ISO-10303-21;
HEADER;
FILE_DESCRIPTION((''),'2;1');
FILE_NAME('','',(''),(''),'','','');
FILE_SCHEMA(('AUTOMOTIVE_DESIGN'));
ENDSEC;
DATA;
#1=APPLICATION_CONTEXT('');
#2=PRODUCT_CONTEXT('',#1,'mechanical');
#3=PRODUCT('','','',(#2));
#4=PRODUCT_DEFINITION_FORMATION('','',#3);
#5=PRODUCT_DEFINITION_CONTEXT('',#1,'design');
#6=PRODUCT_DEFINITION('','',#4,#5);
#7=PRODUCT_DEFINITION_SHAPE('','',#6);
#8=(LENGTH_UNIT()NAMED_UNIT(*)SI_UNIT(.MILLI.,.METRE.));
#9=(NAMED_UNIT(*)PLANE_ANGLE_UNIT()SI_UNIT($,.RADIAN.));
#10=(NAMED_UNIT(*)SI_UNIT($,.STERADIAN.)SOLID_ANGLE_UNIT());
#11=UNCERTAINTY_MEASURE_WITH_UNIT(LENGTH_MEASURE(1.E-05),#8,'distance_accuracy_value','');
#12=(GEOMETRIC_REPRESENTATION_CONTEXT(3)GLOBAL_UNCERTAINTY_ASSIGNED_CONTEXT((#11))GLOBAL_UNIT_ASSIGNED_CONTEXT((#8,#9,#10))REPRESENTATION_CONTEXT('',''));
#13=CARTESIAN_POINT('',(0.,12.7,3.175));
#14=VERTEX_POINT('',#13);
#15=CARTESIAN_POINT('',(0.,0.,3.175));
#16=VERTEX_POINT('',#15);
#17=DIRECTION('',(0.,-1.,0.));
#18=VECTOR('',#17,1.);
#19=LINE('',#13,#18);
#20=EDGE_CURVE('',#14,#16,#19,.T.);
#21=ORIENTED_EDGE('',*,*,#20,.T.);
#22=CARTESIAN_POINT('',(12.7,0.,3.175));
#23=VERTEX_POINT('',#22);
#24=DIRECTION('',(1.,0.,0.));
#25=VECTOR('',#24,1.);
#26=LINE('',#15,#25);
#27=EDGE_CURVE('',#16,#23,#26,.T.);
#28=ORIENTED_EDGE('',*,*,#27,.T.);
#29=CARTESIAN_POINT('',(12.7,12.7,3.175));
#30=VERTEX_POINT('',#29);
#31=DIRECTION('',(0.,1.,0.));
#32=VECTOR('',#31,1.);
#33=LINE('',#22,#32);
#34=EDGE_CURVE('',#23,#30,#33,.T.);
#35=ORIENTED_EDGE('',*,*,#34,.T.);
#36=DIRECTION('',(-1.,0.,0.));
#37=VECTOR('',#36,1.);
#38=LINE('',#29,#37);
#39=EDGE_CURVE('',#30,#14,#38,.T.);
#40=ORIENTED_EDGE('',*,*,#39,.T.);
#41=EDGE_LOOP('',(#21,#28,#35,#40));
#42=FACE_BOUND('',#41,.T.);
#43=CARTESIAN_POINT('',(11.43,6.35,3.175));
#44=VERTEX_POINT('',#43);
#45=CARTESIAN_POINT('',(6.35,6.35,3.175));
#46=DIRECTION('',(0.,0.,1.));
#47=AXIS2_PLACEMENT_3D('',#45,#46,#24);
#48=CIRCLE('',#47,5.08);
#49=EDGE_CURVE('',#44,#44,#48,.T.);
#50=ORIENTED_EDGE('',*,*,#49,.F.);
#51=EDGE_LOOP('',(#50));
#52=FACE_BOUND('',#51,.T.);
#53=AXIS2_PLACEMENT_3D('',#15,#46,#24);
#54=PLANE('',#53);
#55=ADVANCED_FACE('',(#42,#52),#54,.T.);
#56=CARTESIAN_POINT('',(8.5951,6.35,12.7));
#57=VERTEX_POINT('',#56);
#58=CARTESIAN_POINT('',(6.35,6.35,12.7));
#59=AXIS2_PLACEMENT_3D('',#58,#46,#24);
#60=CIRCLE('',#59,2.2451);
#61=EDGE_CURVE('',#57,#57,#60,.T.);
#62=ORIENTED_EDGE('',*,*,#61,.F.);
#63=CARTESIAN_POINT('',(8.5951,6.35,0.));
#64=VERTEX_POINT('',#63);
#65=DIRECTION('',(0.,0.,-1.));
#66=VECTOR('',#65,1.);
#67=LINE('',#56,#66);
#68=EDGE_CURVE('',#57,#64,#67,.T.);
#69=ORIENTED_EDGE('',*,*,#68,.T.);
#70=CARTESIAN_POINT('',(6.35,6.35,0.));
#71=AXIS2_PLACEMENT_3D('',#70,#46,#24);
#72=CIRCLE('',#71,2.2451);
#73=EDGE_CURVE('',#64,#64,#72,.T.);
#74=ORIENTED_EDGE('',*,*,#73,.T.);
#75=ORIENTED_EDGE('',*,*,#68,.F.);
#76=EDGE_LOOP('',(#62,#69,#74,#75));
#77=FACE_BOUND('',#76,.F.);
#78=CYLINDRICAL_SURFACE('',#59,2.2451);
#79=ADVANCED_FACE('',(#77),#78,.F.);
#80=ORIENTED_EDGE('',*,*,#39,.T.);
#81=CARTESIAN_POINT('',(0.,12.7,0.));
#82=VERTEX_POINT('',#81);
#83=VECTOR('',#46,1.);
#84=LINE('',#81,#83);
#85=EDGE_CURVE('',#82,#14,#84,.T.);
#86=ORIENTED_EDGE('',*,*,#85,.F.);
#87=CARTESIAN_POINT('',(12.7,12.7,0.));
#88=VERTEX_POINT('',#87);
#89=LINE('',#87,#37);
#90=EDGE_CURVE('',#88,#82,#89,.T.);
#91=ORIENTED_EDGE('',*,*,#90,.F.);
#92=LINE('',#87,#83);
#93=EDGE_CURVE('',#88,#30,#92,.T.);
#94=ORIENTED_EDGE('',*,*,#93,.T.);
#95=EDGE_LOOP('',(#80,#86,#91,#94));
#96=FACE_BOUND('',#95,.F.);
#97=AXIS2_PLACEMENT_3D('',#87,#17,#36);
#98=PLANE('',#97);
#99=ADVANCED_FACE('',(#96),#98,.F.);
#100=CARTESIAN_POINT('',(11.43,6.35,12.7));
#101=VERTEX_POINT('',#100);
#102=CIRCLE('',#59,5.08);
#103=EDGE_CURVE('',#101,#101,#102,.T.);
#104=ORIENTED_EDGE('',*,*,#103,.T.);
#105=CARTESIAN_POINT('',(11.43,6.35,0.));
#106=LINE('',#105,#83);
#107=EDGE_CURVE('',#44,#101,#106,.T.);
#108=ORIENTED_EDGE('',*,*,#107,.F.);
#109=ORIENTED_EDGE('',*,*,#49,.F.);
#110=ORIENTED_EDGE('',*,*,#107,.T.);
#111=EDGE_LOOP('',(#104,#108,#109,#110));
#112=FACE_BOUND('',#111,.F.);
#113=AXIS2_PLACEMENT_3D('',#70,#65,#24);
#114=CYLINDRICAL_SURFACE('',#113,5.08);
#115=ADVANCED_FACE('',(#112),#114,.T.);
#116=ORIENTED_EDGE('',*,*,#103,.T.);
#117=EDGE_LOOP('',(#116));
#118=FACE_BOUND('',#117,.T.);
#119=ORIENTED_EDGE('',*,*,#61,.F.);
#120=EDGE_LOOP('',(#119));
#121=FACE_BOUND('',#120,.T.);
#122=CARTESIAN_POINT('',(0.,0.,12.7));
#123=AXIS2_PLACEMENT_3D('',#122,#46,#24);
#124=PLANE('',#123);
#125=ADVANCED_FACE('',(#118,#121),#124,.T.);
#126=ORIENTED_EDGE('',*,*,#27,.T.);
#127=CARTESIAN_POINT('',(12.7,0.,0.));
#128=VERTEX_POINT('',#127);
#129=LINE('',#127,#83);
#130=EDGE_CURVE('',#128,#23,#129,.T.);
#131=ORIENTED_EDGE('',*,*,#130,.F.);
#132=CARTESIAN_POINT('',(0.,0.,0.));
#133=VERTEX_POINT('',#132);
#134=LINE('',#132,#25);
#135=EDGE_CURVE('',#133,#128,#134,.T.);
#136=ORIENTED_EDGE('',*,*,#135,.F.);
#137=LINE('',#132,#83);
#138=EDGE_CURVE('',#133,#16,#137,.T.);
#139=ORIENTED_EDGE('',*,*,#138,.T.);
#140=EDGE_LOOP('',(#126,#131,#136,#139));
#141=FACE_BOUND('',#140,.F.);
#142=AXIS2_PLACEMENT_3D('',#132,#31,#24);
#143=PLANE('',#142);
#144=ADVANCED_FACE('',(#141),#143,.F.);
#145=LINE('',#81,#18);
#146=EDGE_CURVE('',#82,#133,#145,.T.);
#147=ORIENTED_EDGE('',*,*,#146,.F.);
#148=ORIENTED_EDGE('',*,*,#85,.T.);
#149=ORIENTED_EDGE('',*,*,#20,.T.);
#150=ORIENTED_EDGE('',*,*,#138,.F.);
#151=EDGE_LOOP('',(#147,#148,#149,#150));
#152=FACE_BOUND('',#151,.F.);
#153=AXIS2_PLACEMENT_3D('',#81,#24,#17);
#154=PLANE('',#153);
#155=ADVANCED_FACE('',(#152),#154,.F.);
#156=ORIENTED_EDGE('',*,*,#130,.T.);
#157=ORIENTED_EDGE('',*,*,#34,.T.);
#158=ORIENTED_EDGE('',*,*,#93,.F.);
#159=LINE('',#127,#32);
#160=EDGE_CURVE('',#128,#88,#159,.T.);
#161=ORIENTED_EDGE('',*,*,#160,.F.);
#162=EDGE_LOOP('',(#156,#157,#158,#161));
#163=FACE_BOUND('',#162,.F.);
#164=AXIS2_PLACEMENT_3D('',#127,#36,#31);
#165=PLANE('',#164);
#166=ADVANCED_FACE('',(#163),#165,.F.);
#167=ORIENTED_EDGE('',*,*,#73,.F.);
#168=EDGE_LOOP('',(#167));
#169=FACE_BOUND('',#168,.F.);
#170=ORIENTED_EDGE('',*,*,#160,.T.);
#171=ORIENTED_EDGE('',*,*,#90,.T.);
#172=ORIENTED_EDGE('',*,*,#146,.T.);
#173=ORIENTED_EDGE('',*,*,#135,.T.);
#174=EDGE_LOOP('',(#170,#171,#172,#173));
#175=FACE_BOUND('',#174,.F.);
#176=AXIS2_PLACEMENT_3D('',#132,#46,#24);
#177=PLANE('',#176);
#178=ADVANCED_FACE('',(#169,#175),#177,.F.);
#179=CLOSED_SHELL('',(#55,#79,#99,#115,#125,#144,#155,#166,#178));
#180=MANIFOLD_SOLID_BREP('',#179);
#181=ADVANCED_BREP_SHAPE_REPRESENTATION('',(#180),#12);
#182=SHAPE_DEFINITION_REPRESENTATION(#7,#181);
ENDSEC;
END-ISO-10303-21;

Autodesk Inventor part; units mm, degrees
ref_plane "YZ Plane" through (0, 0, 0) normal (1, 0, 0) x (0, 1, 0)
ref_plane "XZ Plane" through (0, 0, 0) normal (0, 1, 0) x (-1, 0, 0)
ref_plane "XY Plane" through (0, 0, 0) normal (0, 0, 1) x (1, 0, 0)
sketch "Sketch1" plane through (0, 0, 0) normal (0, 0, 1) x (1, 0, 0)
  line L0 (0, 0) -> (12.7, 0)
  line L1 (12.7, 0) -> (12.7, 12.7)
  line L2 (12.7, 12.7) -> (0, 12.7)
  line L3 (0, 12.7) -> (0, 0)
  circle A0 centre (6.35, 6.35) radius 5.08
  dimension "d0" = 12.7
  dimension "d1" = 12.7
  dimension "d2" = 10.16
extrude "Extrusion1" add sketch "Sketch1" along normal blind 3.175
extrude "Extrusion2" add sketch "Sketch1" along normal blind 12.7 contours A0
sketch "Sketch2" plane through (6.35, 6.35, 12.7) normal (0, 0, 1) x (1, 0, 0)
  circle A0 centre (0, 0) radius 2.2451
  point P0 (-6.35, -6.35)
extrude "Extrusion3" cut sketch "Sketch2" against normal blind 25.4
properties part number "TestPart1"
